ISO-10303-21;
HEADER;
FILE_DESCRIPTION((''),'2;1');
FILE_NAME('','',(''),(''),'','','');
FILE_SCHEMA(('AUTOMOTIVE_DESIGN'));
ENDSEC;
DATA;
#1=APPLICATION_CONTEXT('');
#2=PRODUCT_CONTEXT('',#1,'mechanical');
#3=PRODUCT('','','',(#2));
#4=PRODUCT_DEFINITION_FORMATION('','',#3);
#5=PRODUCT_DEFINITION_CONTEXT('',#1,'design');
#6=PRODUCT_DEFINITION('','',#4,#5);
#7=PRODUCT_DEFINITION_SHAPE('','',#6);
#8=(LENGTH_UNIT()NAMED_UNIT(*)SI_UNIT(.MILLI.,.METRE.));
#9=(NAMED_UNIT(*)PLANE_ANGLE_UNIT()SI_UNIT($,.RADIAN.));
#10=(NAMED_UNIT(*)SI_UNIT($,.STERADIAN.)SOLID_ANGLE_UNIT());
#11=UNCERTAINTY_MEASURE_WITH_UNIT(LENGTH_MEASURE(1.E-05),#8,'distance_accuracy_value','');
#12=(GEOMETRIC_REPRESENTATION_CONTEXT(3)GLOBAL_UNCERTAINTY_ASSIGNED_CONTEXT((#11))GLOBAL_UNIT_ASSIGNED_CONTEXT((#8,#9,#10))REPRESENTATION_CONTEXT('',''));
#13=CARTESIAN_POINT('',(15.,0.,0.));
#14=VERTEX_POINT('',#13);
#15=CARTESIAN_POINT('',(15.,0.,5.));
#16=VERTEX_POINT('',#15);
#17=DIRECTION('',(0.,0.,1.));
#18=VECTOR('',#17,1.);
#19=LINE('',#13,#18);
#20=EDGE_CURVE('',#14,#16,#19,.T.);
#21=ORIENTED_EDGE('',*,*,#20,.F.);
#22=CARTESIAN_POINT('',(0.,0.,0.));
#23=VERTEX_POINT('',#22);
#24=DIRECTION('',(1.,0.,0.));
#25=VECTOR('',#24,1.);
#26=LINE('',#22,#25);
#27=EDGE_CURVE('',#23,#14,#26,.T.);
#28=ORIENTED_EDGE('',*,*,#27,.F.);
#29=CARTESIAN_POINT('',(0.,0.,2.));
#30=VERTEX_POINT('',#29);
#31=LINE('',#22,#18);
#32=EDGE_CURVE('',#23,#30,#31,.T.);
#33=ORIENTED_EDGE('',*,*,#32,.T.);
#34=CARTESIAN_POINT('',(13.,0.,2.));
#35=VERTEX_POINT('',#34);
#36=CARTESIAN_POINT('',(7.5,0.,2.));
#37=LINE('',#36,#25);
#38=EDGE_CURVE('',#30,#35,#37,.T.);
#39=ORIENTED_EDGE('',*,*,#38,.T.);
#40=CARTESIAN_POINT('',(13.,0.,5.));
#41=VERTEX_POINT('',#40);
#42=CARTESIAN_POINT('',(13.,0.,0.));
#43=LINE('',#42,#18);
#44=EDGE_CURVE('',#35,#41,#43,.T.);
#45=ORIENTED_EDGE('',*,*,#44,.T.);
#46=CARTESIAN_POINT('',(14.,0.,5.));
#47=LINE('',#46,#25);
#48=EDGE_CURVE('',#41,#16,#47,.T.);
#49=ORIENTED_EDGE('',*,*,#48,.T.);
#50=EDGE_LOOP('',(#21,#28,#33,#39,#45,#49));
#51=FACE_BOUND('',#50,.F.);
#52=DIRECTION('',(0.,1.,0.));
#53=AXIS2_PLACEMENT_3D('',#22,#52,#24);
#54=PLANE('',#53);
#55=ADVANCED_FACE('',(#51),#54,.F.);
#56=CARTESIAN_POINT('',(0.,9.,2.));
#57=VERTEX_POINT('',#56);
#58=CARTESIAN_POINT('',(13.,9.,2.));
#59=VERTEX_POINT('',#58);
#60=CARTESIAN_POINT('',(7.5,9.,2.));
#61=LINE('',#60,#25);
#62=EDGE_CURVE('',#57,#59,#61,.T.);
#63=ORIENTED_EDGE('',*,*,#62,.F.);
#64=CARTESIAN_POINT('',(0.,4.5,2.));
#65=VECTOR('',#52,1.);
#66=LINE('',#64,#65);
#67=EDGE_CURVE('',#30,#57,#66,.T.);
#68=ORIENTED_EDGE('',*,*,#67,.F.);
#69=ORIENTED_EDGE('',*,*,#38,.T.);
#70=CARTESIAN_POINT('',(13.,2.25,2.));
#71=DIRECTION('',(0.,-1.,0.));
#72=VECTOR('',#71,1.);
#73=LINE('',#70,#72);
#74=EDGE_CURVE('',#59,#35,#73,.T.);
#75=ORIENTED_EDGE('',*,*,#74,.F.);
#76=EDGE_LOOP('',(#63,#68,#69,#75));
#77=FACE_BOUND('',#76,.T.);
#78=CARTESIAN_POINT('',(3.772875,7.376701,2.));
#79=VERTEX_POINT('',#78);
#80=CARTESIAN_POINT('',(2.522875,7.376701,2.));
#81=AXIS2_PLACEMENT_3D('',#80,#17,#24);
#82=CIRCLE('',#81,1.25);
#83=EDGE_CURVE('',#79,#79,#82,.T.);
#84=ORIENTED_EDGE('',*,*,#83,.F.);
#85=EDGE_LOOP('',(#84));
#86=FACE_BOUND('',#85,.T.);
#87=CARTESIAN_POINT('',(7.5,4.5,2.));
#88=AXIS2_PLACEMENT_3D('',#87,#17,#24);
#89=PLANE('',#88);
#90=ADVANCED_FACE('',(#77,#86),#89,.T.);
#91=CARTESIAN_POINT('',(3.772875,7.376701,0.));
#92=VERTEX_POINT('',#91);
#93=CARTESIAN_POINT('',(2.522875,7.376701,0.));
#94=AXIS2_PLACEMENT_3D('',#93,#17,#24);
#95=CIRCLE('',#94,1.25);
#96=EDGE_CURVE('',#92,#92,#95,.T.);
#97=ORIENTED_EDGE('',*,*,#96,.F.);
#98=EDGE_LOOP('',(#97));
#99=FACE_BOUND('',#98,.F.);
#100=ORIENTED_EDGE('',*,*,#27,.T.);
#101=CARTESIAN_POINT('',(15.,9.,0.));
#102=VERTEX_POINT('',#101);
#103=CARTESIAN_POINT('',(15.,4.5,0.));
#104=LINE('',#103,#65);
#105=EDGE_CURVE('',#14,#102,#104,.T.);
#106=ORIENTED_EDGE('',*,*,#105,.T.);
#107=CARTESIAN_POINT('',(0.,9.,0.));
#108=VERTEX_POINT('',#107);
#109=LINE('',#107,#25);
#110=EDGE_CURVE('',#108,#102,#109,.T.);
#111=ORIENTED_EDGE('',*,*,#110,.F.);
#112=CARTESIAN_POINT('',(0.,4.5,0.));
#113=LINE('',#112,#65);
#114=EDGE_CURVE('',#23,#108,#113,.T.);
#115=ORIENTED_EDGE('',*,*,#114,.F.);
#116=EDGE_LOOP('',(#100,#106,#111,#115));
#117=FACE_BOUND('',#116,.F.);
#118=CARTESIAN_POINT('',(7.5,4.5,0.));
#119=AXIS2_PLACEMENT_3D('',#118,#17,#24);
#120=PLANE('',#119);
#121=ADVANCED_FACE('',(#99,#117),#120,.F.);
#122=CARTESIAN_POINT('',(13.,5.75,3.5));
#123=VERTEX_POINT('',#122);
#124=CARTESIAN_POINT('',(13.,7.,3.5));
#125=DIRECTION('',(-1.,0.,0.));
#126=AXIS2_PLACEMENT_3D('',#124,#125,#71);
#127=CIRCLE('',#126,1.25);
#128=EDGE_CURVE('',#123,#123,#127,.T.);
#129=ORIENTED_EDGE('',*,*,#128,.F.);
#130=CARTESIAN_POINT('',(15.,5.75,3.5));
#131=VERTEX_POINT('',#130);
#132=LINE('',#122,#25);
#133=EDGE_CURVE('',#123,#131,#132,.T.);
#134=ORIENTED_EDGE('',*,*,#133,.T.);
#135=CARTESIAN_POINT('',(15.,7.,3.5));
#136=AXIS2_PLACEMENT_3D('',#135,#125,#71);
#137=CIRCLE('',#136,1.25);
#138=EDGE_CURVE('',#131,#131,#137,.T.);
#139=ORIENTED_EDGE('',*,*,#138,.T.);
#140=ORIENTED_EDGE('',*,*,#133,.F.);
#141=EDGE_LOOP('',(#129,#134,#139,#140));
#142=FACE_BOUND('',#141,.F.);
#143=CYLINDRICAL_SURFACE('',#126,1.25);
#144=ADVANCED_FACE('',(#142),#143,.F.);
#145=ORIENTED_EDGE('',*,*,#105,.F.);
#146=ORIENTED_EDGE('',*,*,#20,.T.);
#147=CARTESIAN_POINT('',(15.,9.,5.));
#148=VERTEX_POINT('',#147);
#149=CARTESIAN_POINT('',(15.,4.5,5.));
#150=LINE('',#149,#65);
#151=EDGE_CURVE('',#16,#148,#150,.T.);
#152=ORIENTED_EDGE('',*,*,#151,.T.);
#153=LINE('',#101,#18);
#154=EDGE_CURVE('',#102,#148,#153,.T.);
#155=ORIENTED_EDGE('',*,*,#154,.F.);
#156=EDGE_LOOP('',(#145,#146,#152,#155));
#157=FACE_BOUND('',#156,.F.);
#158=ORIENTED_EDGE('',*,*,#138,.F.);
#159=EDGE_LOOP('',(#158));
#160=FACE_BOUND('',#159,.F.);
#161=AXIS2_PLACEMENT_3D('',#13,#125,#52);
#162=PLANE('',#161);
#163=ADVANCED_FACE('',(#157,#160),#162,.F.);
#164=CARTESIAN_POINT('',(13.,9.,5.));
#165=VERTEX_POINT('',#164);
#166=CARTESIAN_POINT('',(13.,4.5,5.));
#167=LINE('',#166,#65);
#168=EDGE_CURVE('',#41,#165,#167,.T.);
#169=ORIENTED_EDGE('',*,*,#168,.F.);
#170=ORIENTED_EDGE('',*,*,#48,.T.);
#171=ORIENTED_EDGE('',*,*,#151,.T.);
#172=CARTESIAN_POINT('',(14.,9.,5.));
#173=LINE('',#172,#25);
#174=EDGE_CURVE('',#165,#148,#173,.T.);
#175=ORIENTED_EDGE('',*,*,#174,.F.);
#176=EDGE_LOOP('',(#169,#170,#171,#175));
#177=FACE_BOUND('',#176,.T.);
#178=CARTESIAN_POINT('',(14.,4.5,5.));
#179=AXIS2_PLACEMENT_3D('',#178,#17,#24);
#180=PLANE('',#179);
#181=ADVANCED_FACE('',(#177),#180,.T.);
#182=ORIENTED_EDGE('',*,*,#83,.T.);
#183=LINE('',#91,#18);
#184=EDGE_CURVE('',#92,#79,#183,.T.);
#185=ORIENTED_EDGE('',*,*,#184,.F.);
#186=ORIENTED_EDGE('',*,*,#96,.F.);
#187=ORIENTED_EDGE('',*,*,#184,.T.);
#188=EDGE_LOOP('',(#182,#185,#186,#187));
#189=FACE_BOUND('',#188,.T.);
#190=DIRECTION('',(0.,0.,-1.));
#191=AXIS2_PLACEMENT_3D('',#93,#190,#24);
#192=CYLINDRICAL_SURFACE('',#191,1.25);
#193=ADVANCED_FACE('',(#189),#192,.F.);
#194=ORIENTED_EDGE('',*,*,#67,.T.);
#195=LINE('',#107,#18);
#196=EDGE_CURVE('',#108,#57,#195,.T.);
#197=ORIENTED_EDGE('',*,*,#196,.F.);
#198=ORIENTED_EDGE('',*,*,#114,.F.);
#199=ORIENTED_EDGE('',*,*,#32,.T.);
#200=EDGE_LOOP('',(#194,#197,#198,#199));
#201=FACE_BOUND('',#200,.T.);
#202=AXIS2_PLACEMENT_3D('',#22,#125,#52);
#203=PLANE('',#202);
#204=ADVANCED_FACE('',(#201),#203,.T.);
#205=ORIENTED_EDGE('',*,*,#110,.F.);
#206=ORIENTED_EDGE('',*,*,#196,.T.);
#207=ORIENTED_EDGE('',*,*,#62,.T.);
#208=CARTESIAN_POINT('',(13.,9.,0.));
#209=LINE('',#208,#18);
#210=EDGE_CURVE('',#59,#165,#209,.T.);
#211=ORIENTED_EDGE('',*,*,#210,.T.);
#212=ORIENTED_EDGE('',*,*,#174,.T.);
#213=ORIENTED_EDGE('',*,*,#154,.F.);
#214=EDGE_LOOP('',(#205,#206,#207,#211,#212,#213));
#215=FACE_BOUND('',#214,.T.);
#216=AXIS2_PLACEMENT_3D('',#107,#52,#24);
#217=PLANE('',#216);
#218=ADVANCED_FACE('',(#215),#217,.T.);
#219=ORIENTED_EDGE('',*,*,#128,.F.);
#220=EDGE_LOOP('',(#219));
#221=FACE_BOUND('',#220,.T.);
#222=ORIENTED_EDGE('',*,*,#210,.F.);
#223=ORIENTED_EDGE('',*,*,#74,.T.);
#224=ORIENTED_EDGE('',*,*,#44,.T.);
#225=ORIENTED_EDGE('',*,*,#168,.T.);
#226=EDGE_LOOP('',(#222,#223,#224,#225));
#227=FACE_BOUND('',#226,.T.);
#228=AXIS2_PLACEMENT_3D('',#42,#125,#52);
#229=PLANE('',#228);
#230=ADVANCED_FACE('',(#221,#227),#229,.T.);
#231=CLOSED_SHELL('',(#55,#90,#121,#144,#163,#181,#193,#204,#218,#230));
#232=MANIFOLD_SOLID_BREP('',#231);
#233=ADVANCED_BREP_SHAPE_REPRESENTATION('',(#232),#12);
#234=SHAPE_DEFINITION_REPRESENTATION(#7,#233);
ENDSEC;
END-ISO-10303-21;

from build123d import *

# Parameters (mm, degrees)
F0_W     = 15
F0_H     = 9
F0_R     = 1.25
F2_DEPTH = 2
F1_W     = 2
F1_H     = 9
F3_DEPTH = 5
F4_R     = 1.25
F5_DEPTH = 25


with BuildPart() as f2:
    # F0 (on Top) → F2 (new body)
    with BuildSketch(Plane.XY):
        with Locations((7.5, 4.5)):
            Rectangle(F0_W, F0_H)
        with Locations((2.522875, 7.376701)):
            Circle(F0_R, mode=Mode.SUBTRACT)
    extrude(amount=F2_DEPTH)

    # F1 (on Top) → F3 (join)
    with BuildSketch(Plane.XY):
        with Locations((14, 4.5)):
            Rectangle(F1_W, F1_H)
    extrude(amount=F3_DEPTH)

    # F4 (on face) → F5 (cut)
    with BuildSketch(Plane(origin=(13, 0, 0), x_dir=(0, -1, 0), z_dir=(-1, 0, 0))):
        with Locations((-7, 3.5)):
            Circle(F4_R)
    extrude(amount=-F5_DEPTH, mode=Mode.SUBTRACT)


solid = f2.part
